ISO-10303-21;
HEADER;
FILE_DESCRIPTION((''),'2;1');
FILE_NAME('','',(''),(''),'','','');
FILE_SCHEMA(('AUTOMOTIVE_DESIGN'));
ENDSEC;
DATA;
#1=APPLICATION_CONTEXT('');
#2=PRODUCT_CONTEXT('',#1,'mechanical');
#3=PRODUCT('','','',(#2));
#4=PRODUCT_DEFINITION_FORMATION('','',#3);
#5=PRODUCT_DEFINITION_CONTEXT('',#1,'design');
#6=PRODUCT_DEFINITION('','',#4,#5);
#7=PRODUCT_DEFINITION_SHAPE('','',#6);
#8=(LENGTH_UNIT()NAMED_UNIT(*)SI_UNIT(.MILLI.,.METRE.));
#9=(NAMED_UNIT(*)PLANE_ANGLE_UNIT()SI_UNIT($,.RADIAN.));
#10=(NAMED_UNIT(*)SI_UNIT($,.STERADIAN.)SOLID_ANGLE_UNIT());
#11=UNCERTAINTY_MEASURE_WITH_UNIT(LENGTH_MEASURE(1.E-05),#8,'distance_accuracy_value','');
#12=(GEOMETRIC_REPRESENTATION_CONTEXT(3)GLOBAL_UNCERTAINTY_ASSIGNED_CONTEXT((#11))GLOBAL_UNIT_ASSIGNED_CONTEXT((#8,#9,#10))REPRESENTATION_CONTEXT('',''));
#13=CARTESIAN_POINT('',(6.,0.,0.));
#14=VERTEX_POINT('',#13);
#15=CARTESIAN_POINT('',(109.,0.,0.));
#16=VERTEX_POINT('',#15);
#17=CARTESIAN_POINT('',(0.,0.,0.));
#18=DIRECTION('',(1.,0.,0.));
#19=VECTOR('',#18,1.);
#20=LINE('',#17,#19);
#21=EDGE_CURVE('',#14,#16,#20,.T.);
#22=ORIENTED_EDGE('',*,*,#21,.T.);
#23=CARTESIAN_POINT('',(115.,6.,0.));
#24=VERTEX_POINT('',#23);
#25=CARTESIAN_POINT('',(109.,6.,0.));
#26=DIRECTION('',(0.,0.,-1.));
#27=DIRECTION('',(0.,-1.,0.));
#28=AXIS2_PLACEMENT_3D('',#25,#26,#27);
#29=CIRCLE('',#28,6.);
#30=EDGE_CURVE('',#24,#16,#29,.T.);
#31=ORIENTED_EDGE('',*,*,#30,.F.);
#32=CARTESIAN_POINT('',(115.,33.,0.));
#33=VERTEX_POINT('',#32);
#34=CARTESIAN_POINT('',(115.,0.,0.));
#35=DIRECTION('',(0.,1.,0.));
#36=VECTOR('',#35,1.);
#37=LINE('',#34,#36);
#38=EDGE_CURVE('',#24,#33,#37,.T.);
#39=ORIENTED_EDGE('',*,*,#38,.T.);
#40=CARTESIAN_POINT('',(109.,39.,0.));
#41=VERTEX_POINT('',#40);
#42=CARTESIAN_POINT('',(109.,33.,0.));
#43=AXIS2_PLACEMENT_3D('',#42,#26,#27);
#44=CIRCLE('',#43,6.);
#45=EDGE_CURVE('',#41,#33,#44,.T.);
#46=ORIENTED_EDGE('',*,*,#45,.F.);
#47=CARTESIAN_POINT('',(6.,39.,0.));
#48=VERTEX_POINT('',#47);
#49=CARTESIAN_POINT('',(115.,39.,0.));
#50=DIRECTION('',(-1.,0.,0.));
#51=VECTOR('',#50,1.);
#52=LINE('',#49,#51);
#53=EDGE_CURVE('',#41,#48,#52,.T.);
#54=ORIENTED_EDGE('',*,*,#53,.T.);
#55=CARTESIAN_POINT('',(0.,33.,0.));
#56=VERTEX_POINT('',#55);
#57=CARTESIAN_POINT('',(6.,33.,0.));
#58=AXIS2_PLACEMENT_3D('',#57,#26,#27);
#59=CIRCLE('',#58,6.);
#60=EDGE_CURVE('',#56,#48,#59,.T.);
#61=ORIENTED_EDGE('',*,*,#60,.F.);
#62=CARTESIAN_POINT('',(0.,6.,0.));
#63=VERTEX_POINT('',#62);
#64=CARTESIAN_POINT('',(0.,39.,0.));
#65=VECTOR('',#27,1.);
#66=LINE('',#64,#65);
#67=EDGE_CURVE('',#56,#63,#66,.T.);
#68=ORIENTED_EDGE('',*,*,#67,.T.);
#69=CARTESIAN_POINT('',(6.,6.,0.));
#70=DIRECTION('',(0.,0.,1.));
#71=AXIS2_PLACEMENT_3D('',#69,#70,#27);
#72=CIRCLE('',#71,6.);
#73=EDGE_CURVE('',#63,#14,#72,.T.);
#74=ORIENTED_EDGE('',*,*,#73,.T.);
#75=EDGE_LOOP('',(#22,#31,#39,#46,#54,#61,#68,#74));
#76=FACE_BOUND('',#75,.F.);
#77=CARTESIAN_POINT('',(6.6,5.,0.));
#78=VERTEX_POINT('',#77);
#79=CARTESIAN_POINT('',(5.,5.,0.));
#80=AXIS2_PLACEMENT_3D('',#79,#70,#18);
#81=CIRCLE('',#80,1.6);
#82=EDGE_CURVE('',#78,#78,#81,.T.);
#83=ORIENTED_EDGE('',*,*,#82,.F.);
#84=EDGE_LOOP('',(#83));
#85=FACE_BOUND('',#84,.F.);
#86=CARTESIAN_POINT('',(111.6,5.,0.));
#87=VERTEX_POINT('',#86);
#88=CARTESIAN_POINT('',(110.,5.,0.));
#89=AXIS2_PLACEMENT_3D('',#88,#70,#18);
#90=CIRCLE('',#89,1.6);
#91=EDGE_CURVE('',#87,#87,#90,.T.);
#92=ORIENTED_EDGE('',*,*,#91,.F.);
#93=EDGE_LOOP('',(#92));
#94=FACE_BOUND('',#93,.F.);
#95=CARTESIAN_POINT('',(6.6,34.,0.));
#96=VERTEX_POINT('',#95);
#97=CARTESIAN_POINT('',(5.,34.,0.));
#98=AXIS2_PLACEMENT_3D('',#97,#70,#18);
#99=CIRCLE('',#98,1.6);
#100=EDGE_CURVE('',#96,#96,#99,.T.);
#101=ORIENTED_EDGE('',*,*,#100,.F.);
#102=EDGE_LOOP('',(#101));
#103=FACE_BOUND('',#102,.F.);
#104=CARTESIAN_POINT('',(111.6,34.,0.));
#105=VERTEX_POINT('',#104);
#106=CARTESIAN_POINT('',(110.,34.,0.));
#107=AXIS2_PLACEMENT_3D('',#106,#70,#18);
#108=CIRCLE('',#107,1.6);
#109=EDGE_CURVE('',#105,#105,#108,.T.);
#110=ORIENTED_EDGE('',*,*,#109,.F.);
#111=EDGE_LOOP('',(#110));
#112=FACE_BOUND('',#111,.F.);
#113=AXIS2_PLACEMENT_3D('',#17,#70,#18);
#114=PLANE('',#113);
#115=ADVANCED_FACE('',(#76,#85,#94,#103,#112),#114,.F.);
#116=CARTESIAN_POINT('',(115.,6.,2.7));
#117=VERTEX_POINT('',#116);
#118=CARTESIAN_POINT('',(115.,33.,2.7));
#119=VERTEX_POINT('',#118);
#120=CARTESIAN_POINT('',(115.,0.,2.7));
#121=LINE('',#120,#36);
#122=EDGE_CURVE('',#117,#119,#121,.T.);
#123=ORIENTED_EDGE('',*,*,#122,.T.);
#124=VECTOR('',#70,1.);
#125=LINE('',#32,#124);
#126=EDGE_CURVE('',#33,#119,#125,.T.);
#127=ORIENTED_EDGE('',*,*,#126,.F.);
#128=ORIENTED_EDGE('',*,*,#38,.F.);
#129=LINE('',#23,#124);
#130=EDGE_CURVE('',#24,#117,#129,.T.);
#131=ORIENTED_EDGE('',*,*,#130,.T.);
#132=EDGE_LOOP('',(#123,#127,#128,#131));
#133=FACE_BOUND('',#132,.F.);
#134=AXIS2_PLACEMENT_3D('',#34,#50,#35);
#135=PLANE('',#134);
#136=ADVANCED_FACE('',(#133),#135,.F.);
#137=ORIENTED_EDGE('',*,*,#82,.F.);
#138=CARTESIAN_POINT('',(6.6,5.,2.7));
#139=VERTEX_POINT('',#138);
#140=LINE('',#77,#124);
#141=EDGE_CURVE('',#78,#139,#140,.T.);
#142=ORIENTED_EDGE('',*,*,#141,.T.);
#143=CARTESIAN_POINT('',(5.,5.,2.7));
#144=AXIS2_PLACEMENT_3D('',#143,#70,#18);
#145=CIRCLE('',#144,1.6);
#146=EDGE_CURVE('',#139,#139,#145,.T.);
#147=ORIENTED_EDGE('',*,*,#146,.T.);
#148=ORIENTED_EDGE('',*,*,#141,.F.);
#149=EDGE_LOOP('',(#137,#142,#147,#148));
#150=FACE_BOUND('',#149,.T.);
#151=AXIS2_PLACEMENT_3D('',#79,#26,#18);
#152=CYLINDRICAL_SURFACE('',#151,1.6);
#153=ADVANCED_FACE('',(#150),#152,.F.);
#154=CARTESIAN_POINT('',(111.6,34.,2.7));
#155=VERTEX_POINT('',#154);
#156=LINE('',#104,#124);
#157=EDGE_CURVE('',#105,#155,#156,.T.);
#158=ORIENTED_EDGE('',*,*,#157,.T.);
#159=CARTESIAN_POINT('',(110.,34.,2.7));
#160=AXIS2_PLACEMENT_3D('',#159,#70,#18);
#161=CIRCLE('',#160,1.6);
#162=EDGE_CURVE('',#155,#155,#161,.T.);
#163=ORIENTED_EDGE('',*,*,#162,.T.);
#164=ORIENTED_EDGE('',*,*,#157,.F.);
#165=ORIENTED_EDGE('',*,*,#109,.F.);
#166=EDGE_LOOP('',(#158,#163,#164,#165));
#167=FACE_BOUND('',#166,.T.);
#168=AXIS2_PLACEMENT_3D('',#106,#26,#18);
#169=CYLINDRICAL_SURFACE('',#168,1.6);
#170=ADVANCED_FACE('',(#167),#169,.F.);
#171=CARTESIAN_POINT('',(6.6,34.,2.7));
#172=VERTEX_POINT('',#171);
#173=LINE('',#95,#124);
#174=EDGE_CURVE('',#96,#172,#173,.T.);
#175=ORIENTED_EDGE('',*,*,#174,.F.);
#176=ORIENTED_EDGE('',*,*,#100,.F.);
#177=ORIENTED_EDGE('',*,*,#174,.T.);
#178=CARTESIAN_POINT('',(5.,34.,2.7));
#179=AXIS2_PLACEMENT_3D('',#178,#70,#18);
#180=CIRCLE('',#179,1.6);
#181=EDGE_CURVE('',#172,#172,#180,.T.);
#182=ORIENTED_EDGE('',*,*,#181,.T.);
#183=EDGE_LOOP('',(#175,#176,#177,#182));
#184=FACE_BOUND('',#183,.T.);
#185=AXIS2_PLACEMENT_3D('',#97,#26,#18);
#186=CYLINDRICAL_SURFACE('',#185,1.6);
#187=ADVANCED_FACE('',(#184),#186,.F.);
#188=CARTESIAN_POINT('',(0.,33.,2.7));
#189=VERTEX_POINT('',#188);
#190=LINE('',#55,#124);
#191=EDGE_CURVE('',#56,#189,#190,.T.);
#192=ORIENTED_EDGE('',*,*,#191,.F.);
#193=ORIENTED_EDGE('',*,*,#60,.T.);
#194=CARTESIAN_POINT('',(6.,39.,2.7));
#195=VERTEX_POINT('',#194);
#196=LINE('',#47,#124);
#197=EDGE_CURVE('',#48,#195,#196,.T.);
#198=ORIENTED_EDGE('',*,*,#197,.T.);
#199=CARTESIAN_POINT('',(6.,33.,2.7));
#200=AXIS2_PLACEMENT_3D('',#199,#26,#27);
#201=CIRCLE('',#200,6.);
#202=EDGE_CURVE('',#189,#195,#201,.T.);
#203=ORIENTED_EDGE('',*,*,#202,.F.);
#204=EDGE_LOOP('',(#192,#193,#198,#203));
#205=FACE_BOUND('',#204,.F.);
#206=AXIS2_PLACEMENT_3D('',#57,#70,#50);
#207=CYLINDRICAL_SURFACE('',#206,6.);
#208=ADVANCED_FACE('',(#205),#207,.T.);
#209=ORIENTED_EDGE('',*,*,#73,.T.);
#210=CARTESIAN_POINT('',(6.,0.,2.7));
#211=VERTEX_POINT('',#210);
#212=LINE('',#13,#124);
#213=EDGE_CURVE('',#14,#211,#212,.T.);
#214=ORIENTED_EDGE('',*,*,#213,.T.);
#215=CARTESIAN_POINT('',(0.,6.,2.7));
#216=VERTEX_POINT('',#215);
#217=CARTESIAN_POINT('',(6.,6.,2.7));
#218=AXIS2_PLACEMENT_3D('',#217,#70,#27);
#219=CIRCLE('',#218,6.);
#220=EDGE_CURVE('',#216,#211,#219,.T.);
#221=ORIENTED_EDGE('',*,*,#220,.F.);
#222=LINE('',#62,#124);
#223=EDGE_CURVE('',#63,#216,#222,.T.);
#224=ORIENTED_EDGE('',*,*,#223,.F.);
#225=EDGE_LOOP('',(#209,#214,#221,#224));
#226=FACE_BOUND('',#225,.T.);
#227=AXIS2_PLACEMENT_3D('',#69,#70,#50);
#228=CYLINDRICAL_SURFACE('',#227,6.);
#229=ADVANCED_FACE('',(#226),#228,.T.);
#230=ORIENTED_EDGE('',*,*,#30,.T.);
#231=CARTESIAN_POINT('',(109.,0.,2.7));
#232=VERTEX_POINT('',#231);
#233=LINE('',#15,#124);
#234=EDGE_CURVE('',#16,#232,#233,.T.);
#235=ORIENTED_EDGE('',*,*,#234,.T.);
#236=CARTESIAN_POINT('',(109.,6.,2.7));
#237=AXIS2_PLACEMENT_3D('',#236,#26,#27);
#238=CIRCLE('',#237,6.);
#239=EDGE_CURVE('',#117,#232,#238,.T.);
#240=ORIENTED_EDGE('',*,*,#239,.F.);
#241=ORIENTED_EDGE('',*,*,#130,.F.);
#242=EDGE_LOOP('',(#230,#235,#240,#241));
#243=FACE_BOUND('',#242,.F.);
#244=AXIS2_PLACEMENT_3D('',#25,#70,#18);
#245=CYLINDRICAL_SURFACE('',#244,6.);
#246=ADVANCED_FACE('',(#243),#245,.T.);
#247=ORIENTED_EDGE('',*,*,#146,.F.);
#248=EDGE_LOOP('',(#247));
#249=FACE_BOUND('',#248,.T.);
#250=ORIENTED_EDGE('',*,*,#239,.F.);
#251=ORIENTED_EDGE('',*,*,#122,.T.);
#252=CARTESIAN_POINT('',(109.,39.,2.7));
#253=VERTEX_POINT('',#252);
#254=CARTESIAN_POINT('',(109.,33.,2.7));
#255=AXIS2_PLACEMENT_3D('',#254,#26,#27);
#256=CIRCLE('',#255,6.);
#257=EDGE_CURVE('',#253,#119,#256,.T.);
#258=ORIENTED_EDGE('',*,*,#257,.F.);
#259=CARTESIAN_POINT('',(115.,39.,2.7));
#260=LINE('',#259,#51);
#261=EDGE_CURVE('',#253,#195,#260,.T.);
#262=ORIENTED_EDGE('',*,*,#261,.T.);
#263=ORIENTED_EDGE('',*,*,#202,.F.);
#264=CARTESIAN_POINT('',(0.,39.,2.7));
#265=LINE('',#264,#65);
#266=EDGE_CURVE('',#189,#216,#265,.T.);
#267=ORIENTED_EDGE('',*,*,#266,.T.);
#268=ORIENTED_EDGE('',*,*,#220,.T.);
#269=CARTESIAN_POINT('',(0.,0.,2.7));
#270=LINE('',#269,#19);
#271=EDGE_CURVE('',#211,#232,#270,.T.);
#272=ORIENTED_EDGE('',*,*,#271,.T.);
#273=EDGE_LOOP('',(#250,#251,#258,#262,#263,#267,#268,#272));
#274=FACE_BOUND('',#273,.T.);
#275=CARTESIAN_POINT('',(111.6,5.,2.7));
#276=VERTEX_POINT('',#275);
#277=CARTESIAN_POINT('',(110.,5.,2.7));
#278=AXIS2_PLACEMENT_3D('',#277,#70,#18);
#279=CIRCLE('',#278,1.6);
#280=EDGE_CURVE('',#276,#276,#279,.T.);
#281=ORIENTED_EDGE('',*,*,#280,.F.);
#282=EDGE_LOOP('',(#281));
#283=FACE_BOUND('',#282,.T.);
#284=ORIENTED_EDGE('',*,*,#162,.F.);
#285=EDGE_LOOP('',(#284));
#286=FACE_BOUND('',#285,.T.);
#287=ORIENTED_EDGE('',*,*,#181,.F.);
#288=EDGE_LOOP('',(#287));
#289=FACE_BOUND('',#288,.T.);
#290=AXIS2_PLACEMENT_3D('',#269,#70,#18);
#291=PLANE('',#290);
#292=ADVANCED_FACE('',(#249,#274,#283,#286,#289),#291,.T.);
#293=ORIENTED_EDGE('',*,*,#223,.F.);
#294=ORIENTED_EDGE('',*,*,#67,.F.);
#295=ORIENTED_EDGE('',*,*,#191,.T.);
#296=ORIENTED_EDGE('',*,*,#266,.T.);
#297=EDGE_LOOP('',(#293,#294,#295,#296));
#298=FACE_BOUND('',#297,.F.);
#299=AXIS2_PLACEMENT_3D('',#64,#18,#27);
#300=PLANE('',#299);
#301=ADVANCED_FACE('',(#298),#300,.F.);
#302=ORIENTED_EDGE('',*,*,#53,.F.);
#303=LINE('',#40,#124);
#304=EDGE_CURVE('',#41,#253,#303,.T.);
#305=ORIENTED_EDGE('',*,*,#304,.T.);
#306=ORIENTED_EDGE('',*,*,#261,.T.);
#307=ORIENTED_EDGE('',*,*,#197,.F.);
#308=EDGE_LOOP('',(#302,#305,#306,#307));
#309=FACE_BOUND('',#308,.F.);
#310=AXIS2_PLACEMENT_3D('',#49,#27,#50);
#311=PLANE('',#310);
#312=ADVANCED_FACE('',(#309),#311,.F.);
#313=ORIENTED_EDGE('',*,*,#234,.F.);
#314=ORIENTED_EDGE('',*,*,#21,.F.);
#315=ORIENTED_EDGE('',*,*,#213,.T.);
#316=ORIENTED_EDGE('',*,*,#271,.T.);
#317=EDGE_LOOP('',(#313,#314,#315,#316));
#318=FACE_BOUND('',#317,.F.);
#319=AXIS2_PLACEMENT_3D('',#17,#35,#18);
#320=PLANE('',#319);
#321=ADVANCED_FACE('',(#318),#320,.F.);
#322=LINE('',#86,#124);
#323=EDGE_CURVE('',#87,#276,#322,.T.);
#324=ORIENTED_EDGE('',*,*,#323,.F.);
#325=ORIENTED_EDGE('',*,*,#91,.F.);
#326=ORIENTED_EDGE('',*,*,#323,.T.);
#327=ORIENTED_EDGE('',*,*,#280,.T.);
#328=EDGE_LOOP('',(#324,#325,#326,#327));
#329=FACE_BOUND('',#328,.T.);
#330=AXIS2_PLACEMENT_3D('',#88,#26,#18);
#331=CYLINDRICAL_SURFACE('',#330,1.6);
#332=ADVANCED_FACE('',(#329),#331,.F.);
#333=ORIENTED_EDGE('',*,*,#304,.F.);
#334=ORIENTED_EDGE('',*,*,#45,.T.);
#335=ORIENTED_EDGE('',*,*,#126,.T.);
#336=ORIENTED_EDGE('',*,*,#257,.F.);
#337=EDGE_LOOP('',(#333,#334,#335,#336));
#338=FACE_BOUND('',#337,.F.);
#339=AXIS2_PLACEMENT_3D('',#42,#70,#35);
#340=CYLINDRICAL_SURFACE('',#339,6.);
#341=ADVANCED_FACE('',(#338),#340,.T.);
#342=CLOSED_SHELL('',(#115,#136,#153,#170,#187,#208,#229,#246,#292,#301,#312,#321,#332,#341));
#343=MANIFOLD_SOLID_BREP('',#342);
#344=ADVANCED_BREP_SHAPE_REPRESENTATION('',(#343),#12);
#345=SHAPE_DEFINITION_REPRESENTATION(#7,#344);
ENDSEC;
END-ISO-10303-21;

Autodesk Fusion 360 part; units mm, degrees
sketch "Sketch1" plane through (0, 0, 0) normal (0, 0, 1) x (1, 0, 0)
  line L0 (0, 0) -> (115, 0)
  line L1 (115, 0) -> (115, 39)
  line L2 (115, 39) -> (0, 39)
  line L3 (0, 39) -> (0, 0)
  circle A0 centre (5, 34) radius 1.6
  circle A1 centre (5, 5) radius 1.6
  circle A2 centre (110, 5) radius 1.6
  circle A3 centre (110, 34) radius 1.6
  dimension "d1" = 115
  dimension "d2" = 39
  dimension "d3" = 3.2
  dimension "d4" = 5
  dimension "d5" = 5
  dimension "d6" = 3.2
  dimension "d7" = 5
  dimension "d8" = 5
  dimension "d9" = 3.2
  dimension "d10" = 3.2
  dimension "d11" = 5
  dimension "d12" = 5
  dimension "d13" = 5
  dimension "d14" = 5
extrude "Extrude1" add sketch "Sketch1" along normal blind 2.7
fillet "Fillet1" radius 6 4 edges at (115, 39, 1.35) (115, 0, 1.35) (0, 39, 1.35) (0, 0, 1.35)
